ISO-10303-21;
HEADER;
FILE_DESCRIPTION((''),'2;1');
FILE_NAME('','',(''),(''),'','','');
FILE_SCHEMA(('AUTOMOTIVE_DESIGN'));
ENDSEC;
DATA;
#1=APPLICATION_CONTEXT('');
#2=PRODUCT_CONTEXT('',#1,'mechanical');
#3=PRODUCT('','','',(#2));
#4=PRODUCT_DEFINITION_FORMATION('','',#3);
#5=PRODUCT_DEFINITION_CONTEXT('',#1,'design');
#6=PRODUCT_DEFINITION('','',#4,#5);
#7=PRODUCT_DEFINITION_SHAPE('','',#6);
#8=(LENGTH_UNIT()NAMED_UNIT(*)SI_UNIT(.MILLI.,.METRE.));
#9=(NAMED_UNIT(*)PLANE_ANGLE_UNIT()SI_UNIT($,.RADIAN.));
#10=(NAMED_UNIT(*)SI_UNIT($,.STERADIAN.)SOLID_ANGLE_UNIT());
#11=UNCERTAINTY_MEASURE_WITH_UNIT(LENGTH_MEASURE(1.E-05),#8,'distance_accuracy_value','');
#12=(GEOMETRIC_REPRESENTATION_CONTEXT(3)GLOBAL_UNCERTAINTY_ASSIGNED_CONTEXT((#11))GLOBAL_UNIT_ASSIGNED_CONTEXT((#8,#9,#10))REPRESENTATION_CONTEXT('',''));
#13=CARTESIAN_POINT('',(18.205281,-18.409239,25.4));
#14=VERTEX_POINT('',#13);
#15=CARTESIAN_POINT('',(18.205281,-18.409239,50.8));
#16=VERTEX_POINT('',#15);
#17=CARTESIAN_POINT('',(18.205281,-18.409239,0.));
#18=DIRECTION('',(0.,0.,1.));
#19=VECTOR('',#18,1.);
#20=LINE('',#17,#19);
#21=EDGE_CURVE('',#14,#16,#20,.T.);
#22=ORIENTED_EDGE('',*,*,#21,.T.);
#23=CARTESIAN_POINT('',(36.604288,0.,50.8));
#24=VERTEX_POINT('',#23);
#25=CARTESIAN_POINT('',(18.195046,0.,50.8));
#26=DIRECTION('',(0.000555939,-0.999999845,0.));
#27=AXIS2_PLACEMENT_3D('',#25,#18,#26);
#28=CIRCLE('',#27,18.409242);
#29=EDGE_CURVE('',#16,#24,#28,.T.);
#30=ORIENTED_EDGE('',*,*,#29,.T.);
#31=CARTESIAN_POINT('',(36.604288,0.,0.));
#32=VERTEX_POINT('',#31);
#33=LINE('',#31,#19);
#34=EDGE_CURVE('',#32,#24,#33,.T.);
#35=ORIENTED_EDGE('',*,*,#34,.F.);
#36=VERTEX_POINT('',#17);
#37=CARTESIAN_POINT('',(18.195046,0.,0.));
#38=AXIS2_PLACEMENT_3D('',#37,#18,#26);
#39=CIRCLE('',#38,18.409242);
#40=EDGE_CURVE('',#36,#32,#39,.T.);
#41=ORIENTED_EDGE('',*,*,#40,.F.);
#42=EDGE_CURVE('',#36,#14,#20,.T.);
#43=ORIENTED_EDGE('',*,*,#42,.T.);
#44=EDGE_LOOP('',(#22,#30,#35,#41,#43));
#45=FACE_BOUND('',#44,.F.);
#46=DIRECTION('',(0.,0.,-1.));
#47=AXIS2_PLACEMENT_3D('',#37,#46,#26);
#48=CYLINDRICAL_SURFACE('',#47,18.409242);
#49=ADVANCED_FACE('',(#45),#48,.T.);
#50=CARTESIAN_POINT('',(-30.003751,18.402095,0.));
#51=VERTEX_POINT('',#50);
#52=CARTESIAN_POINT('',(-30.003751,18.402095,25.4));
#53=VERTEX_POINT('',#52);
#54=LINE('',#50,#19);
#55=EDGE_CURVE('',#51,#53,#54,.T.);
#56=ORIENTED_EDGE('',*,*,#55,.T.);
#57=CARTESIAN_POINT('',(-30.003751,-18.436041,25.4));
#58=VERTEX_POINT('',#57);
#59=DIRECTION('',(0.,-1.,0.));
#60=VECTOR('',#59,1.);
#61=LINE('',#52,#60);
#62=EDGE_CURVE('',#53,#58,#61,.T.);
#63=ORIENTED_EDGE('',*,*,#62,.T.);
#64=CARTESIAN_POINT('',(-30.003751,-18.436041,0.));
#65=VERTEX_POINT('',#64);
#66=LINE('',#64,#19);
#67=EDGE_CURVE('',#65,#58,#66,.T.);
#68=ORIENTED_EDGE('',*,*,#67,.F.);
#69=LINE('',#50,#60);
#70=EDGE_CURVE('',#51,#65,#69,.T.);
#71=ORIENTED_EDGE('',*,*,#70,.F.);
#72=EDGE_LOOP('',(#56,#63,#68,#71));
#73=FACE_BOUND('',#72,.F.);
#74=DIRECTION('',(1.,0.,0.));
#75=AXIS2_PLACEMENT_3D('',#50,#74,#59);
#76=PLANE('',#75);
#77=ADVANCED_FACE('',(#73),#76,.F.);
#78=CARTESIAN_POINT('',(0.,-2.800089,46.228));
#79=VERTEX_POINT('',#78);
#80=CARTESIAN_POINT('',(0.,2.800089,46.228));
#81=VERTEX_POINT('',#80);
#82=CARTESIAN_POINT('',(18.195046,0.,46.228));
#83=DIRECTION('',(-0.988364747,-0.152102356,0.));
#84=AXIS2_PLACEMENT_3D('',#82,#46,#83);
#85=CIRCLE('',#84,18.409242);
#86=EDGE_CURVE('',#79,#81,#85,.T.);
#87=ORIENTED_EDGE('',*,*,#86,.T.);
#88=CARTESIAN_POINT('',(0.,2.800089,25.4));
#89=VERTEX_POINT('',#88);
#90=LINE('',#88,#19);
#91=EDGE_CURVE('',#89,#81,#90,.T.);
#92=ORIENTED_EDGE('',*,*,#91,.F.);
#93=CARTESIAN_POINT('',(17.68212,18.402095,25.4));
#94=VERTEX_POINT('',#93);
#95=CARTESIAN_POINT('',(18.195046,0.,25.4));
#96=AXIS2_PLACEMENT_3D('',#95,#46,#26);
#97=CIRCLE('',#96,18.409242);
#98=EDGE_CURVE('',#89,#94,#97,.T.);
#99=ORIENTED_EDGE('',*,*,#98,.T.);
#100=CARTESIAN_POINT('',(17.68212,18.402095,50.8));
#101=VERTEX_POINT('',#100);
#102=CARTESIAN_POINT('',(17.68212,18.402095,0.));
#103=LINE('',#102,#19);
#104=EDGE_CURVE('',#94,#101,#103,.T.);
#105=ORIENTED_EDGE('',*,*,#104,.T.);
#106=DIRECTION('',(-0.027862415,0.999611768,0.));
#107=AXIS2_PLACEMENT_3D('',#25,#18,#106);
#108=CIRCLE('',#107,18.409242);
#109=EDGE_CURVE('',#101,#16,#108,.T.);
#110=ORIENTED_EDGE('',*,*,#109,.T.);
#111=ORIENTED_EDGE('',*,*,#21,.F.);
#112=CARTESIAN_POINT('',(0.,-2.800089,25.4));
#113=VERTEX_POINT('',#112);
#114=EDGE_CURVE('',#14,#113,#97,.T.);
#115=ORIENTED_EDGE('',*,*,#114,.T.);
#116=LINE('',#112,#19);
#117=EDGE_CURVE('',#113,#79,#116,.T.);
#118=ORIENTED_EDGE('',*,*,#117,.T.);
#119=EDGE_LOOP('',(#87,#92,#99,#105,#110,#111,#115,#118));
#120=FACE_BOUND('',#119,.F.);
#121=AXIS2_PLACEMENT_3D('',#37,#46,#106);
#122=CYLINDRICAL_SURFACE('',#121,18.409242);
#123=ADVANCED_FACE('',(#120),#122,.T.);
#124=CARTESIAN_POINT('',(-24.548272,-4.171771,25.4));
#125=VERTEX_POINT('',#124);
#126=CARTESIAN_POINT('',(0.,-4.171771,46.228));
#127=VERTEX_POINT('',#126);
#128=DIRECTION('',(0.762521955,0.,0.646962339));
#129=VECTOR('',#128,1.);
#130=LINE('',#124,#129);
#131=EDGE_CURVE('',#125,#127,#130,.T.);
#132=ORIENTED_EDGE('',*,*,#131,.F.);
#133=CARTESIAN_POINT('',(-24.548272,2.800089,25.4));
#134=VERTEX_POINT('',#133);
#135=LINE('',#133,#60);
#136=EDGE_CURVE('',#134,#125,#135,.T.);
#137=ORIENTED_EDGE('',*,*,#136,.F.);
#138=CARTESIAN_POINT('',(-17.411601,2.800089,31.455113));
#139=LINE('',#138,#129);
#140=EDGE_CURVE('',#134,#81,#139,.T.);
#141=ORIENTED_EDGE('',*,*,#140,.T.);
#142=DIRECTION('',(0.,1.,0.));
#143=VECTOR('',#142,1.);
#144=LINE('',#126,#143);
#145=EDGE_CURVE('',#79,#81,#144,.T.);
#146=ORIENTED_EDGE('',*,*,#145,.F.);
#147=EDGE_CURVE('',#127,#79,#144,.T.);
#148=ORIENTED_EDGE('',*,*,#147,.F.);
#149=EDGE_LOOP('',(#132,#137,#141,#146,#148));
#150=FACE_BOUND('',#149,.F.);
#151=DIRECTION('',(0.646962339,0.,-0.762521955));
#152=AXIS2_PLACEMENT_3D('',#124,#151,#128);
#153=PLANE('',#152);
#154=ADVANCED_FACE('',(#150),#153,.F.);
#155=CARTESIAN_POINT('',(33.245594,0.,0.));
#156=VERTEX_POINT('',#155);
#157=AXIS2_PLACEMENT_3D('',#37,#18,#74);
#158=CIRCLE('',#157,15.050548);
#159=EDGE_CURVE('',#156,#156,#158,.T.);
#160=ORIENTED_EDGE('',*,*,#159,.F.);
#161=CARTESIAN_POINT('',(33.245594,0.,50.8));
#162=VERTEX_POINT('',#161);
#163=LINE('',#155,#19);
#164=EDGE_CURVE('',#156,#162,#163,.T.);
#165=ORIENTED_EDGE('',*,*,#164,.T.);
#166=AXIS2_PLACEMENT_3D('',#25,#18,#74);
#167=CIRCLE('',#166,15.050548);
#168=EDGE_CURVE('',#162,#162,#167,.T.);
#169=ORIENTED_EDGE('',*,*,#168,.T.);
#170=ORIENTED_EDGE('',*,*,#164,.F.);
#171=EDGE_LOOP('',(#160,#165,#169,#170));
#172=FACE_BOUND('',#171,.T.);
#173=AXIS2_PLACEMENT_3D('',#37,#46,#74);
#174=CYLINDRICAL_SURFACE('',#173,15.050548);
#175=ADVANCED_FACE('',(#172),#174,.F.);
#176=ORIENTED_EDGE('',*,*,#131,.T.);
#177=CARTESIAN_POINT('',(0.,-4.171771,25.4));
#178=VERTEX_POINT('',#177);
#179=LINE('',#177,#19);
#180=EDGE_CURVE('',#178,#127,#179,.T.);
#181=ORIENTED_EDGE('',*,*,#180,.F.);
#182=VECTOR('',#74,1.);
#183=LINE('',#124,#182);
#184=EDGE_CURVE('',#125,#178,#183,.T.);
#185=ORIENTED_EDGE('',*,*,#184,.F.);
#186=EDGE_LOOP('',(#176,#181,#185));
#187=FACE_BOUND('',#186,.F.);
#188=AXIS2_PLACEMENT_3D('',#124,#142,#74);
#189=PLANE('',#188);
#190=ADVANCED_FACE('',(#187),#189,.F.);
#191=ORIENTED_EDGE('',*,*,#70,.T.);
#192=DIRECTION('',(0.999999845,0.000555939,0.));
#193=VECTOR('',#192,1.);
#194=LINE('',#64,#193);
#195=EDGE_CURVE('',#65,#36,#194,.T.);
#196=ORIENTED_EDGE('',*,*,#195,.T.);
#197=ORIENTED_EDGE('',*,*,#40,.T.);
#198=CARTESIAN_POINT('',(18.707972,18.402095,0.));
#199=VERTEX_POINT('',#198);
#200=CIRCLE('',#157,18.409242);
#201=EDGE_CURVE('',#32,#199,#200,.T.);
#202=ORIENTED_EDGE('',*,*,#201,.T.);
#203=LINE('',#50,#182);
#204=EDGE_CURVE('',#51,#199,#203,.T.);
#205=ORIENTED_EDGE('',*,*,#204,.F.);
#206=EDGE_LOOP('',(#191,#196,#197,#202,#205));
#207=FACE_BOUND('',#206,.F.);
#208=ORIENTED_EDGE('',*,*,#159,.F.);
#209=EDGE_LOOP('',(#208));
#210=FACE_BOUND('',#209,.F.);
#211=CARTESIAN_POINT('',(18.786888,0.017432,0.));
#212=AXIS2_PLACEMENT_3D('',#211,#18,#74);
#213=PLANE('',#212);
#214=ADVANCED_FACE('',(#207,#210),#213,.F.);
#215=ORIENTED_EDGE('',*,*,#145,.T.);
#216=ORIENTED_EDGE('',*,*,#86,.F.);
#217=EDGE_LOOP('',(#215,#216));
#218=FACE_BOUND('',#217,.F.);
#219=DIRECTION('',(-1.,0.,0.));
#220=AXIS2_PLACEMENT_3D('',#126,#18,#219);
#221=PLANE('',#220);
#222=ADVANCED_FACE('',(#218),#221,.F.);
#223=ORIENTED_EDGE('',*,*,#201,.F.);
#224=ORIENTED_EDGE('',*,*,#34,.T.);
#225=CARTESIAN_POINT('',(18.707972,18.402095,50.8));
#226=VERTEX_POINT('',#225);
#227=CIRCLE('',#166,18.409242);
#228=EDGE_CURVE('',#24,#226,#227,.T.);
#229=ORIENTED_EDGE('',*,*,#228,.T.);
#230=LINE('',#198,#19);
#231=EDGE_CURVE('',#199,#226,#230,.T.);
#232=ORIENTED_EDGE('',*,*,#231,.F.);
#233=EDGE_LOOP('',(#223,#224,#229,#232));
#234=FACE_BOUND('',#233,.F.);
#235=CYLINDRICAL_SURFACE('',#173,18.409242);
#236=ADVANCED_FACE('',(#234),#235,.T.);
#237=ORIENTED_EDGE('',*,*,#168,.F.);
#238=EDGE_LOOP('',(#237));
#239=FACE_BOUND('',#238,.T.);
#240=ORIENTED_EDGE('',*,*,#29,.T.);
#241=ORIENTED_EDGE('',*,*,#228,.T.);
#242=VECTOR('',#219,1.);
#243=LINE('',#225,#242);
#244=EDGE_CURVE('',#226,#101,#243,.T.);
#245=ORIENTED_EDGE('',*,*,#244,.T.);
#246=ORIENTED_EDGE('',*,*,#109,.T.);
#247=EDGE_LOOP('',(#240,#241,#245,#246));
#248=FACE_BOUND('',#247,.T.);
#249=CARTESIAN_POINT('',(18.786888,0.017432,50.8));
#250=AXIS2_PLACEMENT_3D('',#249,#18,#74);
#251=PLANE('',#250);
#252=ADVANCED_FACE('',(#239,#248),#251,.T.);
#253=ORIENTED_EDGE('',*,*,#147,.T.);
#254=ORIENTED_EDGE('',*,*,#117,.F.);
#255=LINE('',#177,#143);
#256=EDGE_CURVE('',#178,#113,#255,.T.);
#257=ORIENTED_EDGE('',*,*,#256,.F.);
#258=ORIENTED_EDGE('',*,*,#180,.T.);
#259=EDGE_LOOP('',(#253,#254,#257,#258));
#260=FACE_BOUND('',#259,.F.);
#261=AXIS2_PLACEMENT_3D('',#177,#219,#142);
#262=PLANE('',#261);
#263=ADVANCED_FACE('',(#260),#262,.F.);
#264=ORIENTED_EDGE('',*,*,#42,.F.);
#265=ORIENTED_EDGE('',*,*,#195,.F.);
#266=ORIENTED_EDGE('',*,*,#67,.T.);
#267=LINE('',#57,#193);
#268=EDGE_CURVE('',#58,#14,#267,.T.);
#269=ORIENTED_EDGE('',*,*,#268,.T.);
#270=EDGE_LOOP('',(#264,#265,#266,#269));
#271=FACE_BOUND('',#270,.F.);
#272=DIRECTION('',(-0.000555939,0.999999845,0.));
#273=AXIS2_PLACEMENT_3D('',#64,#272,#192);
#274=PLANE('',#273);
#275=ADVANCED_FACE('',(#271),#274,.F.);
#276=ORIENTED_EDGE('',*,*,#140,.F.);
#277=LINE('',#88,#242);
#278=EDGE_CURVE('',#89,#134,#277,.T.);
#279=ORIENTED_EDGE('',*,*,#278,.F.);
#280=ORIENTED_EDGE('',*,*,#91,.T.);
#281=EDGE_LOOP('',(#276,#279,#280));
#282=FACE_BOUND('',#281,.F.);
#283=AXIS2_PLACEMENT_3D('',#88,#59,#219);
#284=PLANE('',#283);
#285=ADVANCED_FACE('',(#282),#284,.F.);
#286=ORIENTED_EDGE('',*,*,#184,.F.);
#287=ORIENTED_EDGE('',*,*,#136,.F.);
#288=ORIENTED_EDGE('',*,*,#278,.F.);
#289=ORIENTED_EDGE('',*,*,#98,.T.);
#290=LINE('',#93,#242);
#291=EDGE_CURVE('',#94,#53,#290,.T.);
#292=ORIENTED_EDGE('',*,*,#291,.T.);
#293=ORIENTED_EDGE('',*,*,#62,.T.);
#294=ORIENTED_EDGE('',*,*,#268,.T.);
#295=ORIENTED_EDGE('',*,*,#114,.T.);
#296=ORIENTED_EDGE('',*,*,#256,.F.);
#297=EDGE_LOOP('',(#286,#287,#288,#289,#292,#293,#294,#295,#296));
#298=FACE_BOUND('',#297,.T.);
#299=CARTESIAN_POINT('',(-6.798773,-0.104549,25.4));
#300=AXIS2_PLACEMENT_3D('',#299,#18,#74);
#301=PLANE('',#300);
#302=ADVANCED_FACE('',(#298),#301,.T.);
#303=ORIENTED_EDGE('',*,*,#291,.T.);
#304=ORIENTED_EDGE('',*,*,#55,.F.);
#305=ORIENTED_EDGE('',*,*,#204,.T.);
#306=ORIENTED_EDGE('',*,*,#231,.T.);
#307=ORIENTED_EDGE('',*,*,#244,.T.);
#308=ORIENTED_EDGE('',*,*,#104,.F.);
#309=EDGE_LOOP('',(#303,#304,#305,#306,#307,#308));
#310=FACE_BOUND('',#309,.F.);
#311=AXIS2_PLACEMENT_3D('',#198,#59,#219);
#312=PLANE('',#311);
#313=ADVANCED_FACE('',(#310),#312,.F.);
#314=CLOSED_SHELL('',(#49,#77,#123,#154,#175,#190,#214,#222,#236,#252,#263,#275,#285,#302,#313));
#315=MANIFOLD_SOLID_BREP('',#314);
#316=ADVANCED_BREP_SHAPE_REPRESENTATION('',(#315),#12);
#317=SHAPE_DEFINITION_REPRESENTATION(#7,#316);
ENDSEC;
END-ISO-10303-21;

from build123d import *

# Parameters (mm, degrees)
F1_DEPTH = 25.4
F0_R     = 15.0505482929
F2_DEPTH = 50.8
F4_DEPTH = 20.828
F6_DEPTH = 25.4


with BuildPart() as f1:
    # F0 (on Top) → F1 (new body)
    with BuildSketch(Plane.XY):
        with BuildLine():
            Line((-30.0037506968, -18.4360407293), (18.2052805233, -18.4092394559))
            ThreePointArc((18.2052805233, -18.4092394559), (-0.2123373289, -0.2616045695), (17.6821201623, 18.4020952356))
            Line((17.6821201623, 18.4020952356), (-30.0037506968, 18.4020952356))
            Line((-30.0037506968, 18.4020952356), (-30.0037506968, -18.4360407293))
        make_face()
    extrude(amount=F1_DEPTH)

    # F0 (on Top) → F2 (join)
    with BuildSketch(Plane.XY):
        with BuildLine():
            ThreePointArc((18.2052805233, -18.4092394559), (31.2159640874, -13.0136811535), (36.6042884127, 0))
            ThreePointArc((36.6042884127, 0), (31.3924469958, 12.8346722592), (18.7079720616, 18.4020952356))
            Line((18.7079720616, 18.4020952356), (17.6821201623, 18.4020952356))
            ThreePointArc((17.6821201623, 18.4020952356), (-0.2123373289, -0.2616045695), (18.2052805233, -18.4092394559))
        make_face()
        with Locations((18.1950461119, 0)):
            Circle(F0_R, mode=Mode.SUBTRACT)
    extrude(amount=F2_DEPTH)

    # F3 (on face) → F4 (join)
    with BuildSketch(Plane.XY.offset(25.4)):
        with BuildLine():
            ThreePointArc((0, -2.8000891188), (-0.2141961888, 0), (0, 2.8000891188))
            Line((0, 2.8000891188), (-24.5482716709, 2.8000891188))
            Line((-24.5482716709, 2.8000891188), (-24.5482716709, -4.1717705317))
            Line((-24.5482716709, -4.1717705317), (0, -4.1717705317))
            Line((0, -4.1717705317), (0, -2.8000891188))
        make_face()
    extrude(amount=F4_DEPTH)

    # F5 (on face) → F6 (cut)
    with BuildSketch(Plane.XZ.offset(4.1717705317)):
        Polygon((-24.5482716709, 25.4), (0, 46.228), (-24.5482716709, 46.228), align=None)
    extrude(amount=-F6_DEPTH, mode=Mode.SUBTRACT)


solid = f1.part
